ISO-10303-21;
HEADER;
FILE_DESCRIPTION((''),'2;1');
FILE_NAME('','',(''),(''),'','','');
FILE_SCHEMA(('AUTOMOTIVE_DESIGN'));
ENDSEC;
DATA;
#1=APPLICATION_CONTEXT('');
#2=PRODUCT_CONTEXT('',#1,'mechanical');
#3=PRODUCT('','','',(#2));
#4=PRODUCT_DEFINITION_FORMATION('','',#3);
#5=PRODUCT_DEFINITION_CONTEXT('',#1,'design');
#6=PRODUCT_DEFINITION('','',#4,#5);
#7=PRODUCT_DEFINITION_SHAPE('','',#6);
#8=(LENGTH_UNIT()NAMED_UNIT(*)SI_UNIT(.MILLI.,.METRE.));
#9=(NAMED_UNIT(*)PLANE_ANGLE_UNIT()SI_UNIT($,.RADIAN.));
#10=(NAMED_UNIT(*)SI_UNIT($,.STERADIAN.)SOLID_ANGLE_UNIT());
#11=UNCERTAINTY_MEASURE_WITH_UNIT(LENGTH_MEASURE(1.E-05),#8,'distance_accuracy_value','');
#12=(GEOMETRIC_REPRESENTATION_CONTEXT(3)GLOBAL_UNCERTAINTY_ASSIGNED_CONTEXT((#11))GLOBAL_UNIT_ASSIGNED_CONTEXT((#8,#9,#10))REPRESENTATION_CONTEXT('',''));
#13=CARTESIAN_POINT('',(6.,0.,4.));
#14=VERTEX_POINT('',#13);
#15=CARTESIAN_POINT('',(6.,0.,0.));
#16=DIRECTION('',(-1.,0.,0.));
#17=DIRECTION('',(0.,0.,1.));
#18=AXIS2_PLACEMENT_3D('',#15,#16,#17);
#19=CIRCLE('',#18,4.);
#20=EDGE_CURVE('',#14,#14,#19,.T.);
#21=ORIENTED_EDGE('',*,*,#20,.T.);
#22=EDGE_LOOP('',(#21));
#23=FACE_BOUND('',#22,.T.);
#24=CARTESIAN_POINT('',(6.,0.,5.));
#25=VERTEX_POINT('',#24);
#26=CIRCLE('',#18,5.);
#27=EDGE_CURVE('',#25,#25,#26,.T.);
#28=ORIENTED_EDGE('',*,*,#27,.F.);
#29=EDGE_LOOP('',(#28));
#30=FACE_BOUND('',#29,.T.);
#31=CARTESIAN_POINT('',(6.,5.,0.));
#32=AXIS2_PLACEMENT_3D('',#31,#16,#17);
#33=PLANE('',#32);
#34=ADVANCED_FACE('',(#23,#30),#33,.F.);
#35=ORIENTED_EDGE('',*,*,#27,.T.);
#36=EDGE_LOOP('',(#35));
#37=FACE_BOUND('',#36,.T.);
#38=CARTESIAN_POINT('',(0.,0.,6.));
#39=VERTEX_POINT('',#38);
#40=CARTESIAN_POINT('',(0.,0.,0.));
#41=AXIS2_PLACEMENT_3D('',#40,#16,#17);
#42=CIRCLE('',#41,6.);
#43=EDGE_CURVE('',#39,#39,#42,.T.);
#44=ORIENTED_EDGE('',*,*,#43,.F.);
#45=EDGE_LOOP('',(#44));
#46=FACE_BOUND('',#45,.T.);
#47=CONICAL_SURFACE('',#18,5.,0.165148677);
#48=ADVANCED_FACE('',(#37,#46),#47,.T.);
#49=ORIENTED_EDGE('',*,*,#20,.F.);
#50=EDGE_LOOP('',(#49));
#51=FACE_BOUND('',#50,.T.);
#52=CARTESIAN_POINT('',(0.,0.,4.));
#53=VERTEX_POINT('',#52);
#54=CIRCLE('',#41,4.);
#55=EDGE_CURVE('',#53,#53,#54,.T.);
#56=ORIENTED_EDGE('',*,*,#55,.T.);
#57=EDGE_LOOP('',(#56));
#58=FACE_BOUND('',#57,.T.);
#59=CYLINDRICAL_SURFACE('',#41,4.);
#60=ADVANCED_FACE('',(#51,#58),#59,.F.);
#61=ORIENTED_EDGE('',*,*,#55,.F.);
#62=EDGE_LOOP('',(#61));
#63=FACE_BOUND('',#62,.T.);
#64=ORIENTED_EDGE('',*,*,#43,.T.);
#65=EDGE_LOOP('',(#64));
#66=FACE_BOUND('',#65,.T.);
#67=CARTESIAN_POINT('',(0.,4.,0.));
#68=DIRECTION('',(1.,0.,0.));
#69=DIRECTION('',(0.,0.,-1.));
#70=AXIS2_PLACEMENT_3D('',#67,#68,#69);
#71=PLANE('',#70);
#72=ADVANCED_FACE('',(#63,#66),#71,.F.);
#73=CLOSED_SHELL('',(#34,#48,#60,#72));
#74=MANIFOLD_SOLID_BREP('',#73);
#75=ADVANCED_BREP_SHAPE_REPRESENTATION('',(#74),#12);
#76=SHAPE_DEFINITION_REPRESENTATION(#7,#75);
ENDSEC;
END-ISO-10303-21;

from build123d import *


with BuildPart() as part:
    # Szkic1 → Obrót1 (revolve)
    with BuildSketch(Plane.XY):
        Polygon((0, 4), (0, 6), (6, 5), (6, 4), align=None)
    revolve(axis=Axis((0, 0, 0), (1, 0, 0)))


solid = part.part
